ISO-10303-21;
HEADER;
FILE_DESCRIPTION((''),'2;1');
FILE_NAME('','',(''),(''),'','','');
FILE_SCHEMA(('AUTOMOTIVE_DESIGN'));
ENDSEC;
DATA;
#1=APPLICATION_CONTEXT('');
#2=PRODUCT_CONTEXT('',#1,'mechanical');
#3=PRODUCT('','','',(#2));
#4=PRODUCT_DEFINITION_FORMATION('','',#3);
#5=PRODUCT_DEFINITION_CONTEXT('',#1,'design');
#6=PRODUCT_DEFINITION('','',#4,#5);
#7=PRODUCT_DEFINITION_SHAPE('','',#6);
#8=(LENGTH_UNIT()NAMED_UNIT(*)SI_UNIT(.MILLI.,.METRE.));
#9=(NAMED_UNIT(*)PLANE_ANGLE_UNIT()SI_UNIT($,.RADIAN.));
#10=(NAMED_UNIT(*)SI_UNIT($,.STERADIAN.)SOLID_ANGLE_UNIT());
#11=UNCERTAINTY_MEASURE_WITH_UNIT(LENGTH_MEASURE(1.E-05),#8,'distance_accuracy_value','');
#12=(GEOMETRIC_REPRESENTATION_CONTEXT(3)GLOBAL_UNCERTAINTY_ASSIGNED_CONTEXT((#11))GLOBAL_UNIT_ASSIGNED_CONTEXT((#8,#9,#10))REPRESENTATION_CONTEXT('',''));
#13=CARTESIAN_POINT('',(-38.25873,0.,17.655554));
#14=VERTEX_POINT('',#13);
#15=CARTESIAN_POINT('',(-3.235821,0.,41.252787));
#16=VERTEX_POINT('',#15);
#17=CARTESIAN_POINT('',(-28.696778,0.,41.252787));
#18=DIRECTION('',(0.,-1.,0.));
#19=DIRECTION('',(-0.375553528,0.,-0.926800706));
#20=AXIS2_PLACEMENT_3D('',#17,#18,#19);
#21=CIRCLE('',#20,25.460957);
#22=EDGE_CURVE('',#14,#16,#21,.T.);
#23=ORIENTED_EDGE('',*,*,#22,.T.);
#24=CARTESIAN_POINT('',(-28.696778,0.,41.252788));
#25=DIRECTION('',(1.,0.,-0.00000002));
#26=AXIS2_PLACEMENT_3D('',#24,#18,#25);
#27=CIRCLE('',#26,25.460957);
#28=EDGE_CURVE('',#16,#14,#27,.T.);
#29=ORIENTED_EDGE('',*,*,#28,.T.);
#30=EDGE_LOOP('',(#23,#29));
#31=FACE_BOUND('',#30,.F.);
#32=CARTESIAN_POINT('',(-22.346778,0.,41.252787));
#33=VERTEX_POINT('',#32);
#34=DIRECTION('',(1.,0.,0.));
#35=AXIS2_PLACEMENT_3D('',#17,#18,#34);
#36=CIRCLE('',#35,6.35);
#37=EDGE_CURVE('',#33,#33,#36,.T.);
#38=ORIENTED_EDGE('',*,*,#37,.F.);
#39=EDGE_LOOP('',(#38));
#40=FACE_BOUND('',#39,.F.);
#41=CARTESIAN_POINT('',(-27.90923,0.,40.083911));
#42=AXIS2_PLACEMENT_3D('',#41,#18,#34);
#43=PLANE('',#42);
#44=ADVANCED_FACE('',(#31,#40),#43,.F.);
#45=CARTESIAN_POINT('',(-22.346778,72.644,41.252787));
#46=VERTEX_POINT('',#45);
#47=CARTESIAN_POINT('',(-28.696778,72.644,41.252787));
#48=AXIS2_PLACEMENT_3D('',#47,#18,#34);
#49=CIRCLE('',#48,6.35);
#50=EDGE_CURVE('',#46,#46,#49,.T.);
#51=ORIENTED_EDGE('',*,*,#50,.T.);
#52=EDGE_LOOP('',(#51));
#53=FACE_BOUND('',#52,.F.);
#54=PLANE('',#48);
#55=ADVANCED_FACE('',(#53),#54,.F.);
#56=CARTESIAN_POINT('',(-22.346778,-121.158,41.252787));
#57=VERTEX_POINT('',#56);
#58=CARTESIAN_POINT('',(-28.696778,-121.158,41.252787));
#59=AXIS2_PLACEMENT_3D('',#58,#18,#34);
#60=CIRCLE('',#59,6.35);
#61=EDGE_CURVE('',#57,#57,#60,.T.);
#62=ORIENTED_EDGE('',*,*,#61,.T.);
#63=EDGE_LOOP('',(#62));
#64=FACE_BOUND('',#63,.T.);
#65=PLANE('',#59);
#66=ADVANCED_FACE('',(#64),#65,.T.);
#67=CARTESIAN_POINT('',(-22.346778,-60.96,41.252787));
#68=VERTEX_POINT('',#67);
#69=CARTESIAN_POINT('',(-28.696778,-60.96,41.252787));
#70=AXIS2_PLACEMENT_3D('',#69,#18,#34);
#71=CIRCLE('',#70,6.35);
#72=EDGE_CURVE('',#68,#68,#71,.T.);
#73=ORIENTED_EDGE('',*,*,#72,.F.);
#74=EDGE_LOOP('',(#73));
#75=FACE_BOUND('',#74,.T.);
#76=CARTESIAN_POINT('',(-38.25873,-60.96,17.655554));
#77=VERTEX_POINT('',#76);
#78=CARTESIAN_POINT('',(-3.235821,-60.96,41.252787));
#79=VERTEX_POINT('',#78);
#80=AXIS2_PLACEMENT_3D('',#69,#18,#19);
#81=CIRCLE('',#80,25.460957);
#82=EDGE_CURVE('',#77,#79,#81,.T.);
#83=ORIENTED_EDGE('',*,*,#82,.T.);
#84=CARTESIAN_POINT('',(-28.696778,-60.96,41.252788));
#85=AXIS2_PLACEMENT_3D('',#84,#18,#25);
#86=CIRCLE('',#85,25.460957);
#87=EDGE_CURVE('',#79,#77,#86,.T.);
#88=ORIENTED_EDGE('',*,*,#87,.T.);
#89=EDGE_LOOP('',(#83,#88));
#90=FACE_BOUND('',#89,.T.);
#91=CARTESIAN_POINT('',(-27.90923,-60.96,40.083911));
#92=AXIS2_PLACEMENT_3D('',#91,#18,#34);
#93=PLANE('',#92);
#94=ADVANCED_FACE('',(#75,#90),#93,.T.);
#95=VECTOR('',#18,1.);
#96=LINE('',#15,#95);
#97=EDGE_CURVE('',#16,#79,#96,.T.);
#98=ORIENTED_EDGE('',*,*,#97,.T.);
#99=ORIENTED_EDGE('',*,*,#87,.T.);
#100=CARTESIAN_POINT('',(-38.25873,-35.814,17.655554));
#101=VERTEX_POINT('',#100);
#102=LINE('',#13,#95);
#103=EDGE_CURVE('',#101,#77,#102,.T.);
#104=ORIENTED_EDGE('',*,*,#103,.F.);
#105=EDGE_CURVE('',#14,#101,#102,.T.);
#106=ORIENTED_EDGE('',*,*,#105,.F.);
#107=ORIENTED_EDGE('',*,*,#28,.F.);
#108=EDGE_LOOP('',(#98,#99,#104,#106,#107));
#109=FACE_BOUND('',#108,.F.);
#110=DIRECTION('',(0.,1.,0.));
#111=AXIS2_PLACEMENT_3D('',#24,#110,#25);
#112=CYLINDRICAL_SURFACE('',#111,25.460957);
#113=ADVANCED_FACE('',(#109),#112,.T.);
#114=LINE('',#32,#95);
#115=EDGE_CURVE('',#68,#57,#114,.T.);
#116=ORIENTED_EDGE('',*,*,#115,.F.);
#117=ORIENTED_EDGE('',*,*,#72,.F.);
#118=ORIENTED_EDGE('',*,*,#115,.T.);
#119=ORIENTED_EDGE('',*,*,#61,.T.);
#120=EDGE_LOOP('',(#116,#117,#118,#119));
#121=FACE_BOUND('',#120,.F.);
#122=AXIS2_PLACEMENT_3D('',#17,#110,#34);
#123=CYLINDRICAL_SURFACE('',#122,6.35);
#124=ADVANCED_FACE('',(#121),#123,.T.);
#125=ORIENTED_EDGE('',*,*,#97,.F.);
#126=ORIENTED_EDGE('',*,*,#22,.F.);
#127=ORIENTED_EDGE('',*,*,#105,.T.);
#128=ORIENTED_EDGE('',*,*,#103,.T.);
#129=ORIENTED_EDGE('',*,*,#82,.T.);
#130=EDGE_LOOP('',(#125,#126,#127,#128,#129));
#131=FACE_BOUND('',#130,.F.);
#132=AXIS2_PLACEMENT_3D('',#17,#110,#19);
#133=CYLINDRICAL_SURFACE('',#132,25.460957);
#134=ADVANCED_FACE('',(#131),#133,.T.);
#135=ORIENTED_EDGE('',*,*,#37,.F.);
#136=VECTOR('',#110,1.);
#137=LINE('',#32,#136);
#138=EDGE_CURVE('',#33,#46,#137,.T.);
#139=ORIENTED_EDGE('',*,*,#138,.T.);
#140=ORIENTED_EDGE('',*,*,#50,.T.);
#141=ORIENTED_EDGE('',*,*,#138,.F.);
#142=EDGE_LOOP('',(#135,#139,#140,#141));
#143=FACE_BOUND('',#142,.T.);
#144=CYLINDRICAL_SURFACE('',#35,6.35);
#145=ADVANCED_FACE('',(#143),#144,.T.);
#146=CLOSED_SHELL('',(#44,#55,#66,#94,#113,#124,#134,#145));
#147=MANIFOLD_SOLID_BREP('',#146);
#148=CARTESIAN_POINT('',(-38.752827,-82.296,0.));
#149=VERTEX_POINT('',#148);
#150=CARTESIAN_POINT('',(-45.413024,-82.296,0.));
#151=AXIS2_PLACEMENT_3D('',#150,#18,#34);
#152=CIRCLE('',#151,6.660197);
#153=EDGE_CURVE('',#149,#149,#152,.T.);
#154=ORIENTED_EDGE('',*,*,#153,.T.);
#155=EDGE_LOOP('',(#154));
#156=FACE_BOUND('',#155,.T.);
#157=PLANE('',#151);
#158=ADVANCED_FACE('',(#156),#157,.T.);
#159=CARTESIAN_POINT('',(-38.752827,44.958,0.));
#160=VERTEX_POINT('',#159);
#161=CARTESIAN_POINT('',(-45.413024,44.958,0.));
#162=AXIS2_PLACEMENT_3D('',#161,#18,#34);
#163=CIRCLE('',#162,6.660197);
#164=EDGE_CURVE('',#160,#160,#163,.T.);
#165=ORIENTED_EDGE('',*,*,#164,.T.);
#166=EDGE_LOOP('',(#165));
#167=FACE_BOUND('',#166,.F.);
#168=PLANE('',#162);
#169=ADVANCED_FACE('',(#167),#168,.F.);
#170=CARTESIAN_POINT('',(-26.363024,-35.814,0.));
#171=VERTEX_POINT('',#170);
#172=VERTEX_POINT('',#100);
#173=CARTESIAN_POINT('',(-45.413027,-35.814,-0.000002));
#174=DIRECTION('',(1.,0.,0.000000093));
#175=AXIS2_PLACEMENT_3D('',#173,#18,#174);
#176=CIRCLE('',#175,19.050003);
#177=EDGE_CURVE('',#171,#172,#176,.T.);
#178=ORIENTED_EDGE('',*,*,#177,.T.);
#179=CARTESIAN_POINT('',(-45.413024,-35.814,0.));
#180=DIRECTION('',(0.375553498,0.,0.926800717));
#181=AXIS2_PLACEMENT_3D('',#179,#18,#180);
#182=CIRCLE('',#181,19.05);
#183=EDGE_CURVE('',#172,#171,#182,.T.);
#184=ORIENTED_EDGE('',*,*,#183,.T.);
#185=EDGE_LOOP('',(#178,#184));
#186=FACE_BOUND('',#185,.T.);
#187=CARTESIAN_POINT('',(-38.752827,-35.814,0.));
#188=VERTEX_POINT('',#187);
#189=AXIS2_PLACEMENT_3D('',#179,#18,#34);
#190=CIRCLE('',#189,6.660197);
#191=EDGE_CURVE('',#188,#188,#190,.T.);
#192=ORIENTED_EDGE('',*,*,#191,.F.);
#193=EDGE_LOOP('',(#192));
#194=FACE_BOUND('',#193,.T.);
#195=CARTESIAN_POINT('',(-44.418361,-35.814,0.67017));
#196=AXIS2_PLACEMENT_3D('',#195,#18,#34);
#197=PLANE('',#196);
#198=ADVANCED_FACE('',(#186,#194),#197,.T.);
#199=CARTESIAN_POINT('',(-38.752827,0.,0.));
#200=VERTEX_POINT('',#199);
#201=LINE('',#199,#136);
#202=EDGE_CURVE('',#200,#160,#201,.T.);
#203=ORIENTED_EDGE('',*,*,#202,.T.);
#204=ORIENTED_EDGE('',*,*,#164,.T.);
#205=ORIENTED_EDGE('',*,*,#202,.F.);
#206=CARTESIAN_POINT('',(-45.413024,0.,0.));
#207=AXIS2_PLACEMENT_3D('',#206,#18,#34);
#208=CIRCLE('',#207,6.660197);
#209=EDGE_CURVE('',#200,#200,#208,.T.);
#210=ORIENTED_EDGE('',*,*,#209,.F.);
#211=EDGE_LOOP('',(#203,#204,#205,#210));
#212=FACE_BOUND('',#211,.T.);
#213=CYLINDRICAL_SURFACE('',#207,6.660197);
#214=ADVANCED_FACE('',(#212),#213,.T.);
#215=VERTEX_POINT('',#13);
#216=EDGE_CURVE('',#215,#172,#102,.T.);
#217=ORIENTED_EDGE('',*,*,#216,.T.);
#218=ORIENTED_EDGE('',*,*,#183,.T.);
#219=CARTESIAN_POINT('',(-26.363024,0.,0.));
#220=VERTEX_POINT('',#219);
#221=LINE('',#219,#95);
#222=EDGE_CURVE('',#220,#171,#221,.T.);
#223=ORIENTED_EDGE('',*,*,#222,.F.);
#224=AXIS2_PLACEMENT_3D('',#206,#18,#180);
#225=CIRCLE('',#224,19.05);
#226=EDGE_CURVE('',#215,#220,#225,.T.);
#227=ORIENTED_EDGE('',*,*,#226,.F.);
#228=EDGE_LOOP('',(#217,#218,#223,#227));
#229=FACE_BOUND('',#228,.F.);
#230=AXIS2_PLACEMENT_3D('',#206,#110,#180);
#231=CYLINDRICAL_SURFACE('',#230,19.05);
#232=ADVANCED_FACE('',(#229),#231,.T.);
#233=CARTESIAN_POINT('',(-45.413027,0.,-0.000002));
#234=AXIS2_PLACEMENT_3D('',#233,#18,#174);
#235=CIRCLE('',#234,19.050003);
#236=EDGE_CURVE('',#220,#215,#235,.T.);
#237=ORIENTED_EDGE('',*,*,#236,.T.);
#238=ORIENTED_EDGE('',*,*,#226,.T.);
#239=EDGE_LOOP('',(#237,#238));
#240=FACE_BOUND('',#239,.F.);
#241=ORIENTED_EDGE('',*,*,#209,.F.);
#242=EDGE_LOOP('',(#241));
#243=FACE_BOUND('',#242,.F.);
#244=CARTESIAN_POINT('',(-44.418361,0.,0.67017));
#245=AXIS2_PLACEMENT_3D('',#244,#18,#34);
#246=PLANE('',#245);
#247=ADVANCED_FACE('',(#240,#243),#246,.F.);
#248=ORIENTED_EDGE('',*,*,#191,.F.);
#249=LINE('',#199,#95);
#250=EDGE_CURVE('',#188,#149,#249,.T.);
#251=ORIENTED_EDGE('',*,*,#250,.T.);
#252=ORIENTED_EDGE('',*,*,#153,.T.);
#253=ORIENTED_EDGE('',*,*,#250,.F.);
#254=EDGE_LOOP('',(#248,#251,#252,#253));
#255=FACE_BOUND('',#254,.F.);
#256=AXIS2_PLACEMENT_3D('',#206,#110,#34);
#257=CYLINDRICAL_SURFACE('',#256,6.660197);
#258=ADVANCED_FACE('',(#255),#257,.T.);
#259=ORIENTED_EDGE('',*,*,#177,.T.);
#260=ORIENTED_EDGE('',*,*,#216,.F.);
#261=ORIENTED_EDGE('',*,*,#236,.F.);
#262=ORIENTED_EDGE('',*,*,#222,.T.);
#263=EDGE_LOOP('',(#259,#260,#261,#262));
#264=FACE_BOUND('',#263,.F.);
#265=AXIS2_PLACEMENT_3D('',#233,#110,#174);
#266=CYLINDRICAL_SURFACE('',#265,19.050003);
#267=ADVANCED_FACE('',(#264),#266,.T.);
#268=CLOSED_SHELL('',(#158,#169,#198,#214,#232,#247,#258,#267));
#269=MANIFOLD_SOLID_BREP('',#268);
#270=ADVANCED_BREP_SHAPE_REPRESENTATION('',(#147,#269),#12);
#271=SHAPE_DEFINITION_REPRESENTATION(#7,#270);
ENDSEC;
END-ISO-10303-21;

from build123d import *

# Parameters (mm, degrees)
F0_R          = 6.660197
F1_DEPTH      = 35.814
F0_R_2        = 6.35
F2_DEPTH      = 60.96
F3_DEPTH      = 121.158
F3_DEPTH_BACK = 72.644
F4_DEPTH      = 82.296
F4_DEPTH_BACK = 44.958


with BuildPart() as f1:
    # F0 (on Front) → F1 (new body)
    with BuildSketch(Plane.XZ):
        with BuildLine():
            ThreePointArc((-38.25873, 17.655554), (-61.211629, -10.644557), (-26.363024, 0))
            ThreePointArc((-26.363024, 0), (-29.61442, 10.644557), (-38.25873, 17.655554))
        make_face()
        with Locations((-45.413024, 0)):
            Circle(F0_R, mode=Mode.SUBTRACT)
    extrude(amount=F1_DEPTH)

    # F0 (on Front) → F2 (join)
    with BuildSketch(Plane.XZ):
        with BuildLine():
            ThreePointArc((-3.235821, 41.252787), (-42.923582, 62.368147), (-38.25873, 17.655554))
            ThreePointArc((-38.25873, 17.655554), (-14.469974, 20.137428), (-3.235821, 41.252787))
        make_face()
        with Locations((-28.696778, 41.252787)):
            Circle(F0_R_2, mode=Mode.SUBTRACT)
    extrude(amount=F2_DEPTH)

    # F0 (on Front) → F3 (join, two sides)
    with BuildSketch(Plane.XZ) as f3_sk:
        with Locations((-28.696778, 41.252787)):
            Circle(F0_R_2)
    extrude(amount=F3_DEPTH)
    extrude(f3_sk.sketch, amount=-F3_DEPTH_BACK)

    # F0 (on Front) → F4 (join, two sides)
    with BuildSketch(Plane.XZ) as f4_sk:
        with Locations((-45.413024, 0)):
            Circle(F0_R)
    extrude(amount=F4_DEPTH)
    extrude(f4_sk.sketch, amount=-F4_DEPTH_BACK)


solid = f1.part
